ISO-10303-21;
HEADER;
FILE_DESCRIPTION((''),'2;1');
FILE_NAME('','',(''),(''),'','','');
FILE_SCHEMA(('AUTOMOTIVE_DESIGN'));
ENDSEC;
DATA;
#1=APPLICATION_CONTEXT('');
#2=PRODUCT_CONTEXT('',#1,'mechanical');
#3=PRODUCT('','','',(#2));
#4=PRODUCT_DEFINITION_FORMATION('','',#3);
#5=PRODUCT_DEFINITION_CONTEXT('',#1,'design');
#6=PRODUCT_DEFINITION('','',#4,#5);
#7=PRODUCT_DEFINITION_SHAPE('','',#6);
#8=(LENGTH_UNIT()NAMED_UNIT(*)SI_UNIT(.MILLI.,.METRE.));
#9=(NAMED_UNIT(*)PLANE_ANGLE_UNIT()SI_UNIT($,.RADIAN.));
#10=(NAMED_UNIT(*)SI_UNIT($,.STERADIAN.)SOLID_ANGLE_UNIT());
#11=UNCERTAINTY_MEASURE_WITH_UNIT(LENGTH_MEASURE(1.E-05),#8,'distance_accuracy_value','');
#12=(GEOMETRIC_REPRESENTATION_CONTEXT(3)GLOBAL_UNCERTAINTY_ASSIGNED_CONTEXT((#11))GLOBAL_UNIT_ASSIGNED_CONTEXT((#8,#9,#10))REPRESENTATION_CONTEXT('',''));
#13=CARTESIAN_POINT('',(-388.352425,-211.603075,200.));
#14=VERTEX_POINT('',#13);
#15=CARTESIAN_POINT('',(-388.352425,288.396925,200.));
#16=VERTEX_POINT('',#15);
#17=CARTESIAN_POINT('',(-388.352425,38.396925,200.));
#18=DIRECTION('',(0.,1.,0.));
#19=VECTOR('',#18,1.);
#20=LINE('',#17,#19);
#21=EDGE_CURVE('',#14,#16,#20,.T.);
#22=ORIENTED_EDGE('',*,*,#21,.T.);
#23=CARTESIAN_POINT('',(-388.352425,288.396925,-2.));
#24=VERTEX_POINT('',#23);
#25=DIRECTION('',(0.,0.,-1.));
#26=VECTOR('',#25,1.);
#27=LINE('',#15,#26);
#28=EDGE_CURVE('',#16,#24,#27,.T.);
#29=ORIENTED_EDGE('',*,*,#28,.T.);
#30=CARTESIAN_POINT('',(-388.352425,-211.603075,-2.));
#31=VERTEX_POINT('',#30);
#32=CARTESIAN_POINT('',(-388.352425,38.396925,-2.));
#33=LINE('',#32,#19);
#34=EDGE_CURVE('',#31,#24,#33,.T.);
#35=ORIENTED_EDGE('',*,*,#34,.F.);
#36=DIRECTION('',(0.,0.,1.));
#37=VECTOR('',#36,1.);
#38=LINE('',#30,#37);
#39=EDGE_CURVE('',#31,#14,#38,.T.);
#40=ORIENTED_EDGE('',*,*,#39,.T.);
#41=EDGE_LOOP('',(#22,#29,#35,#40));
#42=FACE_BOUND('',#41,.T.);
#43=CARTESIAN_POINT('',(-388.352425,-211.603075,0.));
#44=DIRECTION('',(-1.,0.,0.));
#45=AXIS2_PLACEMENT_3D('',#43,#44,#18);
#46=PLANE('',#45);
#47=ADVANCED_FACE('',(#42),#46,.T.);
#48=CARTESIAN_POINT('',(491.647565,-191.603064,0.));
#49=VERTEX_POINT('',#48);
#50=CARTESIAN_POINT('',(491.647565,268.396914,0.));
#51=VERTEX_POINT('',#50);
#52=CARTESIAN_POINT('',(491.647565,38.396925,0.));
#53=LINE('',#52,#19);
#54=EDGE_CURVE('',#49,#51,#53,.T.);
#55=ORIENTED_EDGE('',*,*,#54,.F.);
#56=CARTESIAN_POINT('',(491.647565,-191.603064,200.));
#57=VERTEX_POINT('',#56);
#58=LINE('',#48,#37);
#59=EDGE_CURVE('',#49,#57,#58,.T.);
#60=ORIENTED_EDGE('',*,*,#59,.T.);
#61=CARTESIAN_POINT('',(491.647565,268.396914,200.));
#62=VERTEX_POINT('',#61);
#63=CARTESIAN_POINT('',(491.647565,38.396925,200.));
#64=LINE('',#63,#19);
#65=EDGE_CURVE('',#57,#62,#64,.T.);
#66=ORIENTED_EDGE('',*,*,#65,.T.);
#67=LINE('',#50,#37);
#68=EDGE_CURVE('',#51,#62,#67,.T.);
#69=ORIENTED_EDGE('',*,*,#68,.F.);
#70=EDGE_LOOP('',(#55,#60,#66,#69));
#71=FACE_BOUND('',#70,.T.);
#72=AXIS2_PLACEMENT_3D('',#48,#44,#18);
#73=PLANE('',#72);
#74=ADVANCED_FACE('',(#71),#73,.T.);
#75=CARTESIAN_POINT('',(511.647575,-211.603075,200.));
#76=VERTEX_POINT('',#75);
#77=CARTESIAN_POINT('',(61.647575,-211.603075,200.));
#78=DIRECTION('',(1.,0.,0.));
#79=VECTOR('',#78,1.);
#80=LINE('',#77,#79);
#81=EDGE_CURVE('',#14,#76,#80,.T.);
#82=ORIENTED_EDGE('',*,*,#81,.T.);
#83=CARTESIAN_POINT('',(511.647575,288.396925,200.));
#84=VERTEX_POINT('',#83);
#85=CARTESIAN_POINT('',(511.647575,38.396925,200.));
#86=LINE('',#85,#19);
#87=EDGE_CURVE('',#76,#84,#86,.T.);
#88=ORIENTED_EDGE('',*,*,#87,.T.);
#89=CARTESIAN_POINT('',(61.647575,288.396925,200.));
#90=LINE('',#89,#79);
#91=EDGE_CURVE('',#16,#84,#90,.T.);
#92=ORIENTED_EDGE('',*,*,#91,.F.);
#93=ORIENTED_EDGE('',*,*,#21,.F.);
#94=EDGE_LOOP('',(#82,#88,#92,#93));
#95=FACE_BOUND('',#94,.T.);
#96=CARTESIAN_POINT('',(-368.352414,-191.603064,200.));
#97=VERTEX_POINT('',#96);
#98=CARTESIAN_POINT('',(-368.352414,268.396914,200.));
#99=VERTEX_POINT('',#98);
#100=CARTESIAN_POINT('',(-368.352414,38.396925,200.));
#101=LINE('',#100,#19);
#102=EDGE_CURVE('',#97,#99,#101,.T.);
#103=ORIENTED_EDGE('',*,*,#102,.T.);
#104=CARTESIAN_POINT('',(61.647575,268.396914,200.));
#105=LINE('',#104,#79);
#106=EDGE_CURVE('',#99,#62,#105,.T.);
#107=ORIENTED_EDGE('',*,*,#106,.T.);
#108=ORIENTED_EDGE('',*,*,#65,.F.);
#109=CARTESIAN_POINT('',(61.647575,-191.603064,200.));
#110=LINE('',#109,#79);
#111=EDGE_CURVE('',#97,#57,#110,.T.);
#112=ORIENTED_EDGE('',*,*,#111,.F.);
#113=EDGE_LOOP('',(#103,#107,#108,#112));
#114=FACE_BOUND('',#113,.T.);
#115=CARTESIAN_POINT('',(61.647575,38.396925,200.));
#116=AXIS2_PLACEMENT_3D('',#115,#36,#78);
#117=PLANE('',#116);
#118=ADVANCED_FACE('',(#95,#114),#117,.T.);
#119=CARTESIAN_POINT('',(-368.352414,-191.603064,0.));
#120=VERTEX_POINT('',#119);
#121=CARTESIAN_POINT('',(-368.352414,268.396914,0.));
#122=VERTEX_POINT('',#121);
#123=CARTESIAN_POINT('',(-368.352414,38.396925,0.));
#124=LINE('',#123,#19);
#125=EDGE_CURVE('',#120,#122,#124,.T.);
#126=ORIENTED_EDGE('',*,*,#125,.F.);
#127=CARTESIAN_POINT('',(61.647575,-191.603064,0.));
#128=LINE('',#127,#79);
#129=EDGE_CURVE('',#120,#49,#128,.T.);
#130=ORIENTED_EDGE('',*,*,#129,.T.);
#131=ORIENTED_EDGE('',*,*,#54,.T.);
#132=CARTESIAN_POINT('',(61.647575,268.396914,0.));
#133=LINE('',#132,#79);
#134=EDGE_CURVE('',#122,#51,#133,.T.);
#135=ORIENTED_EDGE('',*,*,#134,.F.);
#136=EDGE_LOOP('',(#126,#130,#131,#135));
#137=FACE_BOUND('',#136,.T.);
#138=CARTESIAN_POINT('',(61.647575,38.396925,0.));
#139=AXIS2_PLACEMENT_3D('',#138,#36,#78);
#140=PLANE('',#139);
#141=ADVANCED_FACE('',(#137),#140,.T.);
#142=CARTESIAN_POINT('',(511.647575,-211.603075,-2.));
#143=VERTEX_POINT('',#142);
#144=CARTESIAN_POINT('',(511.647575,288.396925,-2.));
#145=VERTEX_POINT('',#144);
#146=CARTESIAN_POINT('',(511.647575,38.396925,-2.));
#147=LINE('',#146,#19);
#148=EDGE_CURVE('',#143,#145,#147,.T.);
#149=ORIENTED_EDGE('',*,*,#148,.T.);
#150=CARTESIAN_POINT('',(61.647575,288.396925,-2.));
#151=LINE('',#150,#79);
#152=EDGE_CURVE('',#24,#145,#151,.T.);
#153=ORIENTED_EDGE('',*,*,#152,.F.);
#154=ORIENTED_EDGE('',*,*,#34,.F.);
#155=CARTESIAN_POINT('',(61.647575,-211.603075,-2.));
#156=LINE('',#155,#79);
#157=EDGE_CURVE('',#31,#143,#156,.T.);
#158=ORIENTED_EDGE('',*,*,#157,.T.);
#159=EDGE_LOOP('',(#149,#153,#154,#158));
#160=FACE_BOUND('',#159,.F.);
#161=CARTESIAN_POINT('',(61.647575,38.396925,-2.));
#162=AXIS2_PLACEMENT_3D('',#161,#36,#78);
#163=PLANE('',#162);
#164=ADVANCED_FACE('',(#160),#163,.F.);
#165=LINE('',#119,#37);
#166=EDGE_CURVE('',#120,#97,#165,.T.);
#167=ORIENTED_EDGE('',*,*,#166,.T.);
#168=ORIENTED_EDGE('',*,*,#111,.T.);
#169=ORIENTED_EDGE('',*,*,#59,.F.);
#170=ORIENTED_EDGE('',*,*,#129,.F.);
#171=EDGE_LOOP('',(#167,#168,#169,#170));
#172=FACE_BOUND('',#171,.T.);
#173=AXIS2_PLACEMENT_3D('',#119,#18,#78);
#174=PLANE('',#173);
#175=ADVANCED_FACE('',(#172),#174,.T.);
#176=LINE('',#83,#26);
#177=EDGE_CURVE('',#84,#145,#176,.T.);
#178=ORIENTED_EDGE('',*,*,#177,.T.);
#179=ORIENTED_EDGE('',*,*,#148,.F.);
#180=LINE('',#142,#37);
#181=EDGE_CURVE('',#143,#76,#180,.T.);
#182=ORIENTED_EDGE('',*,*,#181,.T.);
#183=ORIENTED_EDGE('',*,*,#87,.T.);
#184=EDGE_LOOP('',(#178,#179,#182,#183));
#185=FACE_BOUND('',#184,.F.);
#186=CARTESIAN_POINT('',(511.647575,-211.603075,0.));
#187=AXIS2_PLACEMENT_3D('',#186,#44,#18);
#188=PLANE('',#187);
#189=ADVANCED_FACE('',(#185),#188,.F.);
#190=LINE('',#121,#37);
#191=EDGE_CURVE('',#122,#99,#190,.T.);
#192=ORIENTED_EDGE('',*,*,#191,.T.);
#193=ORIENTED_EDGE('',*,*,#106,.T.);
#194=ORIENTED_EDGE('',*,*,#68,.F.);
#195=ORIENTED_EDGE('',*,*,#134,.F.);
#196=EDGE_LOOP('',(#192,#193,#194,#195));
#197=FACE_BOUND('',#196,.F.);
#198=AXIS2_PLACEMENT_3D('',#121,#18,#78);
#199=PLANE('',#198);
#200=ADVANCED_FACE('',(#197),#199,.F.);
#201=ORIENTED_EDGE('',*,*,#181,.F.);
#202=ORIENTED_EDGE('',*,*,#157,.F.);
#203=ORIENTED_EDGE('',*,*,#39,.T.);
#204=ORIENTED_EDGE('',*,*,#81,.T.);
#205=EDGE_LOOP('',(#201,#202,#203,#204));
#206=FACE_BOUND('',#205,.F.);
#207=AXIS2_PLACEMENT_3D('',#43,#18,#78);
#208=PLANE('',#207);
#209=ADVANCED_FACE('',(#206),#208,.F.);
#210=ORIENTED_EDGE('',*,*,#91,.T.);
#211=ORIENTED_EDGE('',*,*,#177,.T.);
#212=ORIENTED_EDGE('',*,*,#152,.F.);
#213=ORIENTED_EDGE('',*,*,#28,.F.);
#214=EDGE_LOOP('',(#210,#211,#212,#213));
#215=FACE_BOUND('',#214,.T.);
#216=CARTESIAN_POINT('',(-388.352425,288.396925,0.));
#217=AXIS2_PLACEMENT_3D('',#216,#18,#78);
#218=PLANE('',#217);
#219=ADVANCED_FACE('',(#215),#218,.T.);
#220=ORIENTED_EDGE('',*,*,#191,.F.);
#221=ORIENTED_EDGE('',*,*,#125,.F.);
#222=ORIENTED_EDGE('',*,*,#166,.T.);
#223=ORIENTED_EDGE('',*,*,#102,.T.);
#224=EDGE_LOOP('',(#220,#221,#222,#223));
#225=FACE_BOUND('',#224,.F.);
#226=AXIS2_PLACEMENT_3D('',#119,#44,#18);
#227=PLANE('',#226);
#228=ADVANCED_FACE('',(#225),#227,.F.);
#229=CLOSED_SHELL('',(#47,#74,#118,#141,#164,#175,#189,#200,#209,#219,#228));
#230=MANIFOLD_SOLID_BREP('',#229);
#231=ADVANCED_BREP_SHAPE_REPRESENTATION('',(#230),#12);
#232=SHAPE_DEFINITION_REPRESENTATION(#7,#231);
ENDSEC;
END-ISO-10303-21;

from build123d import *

# Parameters (mm, degrees)
F0_W     = 900
F0_H     = 500
F0_W_2   = 859.9999784998
F0_H_2   = 459.9999784998
F1_DEPTH = 2
F2_DEPTH = 200


with BuildPart() as f1:
    # F0 (on Top) → F1 (new body)
    with BuildSketch(Plane.XY):
        with Locations((61.6475753486, 38.3969247554)):
            Rectangle(F0_W, F0_H)
        with Locations((61.6475753486, 38.3969247554)):
            Rectangle(F0_W_2, F0_H_2, mode=Mode.SUBTRACT)
        with Locations((61.6475753486, 38.3969247554)):
            Rectangle(F0_W_2, F0_H_2)
    extrude(amount=-F1_DEPTH)

    # F0 (on Top) → F2 (join)
    with BuildSketch(Plane.XY):
        with Locations((61.6475753486, 38.3969247554)):
            Rectangle(F0_W, F0_H)
        with Locations((61.6475753486, 38.3969247554)):
            Rectangle(F0_W_2, F0_H_2, mode=Mode.SUBTRACT)
    extrude(amount=F2_DEPTH)


solid = f1.part
